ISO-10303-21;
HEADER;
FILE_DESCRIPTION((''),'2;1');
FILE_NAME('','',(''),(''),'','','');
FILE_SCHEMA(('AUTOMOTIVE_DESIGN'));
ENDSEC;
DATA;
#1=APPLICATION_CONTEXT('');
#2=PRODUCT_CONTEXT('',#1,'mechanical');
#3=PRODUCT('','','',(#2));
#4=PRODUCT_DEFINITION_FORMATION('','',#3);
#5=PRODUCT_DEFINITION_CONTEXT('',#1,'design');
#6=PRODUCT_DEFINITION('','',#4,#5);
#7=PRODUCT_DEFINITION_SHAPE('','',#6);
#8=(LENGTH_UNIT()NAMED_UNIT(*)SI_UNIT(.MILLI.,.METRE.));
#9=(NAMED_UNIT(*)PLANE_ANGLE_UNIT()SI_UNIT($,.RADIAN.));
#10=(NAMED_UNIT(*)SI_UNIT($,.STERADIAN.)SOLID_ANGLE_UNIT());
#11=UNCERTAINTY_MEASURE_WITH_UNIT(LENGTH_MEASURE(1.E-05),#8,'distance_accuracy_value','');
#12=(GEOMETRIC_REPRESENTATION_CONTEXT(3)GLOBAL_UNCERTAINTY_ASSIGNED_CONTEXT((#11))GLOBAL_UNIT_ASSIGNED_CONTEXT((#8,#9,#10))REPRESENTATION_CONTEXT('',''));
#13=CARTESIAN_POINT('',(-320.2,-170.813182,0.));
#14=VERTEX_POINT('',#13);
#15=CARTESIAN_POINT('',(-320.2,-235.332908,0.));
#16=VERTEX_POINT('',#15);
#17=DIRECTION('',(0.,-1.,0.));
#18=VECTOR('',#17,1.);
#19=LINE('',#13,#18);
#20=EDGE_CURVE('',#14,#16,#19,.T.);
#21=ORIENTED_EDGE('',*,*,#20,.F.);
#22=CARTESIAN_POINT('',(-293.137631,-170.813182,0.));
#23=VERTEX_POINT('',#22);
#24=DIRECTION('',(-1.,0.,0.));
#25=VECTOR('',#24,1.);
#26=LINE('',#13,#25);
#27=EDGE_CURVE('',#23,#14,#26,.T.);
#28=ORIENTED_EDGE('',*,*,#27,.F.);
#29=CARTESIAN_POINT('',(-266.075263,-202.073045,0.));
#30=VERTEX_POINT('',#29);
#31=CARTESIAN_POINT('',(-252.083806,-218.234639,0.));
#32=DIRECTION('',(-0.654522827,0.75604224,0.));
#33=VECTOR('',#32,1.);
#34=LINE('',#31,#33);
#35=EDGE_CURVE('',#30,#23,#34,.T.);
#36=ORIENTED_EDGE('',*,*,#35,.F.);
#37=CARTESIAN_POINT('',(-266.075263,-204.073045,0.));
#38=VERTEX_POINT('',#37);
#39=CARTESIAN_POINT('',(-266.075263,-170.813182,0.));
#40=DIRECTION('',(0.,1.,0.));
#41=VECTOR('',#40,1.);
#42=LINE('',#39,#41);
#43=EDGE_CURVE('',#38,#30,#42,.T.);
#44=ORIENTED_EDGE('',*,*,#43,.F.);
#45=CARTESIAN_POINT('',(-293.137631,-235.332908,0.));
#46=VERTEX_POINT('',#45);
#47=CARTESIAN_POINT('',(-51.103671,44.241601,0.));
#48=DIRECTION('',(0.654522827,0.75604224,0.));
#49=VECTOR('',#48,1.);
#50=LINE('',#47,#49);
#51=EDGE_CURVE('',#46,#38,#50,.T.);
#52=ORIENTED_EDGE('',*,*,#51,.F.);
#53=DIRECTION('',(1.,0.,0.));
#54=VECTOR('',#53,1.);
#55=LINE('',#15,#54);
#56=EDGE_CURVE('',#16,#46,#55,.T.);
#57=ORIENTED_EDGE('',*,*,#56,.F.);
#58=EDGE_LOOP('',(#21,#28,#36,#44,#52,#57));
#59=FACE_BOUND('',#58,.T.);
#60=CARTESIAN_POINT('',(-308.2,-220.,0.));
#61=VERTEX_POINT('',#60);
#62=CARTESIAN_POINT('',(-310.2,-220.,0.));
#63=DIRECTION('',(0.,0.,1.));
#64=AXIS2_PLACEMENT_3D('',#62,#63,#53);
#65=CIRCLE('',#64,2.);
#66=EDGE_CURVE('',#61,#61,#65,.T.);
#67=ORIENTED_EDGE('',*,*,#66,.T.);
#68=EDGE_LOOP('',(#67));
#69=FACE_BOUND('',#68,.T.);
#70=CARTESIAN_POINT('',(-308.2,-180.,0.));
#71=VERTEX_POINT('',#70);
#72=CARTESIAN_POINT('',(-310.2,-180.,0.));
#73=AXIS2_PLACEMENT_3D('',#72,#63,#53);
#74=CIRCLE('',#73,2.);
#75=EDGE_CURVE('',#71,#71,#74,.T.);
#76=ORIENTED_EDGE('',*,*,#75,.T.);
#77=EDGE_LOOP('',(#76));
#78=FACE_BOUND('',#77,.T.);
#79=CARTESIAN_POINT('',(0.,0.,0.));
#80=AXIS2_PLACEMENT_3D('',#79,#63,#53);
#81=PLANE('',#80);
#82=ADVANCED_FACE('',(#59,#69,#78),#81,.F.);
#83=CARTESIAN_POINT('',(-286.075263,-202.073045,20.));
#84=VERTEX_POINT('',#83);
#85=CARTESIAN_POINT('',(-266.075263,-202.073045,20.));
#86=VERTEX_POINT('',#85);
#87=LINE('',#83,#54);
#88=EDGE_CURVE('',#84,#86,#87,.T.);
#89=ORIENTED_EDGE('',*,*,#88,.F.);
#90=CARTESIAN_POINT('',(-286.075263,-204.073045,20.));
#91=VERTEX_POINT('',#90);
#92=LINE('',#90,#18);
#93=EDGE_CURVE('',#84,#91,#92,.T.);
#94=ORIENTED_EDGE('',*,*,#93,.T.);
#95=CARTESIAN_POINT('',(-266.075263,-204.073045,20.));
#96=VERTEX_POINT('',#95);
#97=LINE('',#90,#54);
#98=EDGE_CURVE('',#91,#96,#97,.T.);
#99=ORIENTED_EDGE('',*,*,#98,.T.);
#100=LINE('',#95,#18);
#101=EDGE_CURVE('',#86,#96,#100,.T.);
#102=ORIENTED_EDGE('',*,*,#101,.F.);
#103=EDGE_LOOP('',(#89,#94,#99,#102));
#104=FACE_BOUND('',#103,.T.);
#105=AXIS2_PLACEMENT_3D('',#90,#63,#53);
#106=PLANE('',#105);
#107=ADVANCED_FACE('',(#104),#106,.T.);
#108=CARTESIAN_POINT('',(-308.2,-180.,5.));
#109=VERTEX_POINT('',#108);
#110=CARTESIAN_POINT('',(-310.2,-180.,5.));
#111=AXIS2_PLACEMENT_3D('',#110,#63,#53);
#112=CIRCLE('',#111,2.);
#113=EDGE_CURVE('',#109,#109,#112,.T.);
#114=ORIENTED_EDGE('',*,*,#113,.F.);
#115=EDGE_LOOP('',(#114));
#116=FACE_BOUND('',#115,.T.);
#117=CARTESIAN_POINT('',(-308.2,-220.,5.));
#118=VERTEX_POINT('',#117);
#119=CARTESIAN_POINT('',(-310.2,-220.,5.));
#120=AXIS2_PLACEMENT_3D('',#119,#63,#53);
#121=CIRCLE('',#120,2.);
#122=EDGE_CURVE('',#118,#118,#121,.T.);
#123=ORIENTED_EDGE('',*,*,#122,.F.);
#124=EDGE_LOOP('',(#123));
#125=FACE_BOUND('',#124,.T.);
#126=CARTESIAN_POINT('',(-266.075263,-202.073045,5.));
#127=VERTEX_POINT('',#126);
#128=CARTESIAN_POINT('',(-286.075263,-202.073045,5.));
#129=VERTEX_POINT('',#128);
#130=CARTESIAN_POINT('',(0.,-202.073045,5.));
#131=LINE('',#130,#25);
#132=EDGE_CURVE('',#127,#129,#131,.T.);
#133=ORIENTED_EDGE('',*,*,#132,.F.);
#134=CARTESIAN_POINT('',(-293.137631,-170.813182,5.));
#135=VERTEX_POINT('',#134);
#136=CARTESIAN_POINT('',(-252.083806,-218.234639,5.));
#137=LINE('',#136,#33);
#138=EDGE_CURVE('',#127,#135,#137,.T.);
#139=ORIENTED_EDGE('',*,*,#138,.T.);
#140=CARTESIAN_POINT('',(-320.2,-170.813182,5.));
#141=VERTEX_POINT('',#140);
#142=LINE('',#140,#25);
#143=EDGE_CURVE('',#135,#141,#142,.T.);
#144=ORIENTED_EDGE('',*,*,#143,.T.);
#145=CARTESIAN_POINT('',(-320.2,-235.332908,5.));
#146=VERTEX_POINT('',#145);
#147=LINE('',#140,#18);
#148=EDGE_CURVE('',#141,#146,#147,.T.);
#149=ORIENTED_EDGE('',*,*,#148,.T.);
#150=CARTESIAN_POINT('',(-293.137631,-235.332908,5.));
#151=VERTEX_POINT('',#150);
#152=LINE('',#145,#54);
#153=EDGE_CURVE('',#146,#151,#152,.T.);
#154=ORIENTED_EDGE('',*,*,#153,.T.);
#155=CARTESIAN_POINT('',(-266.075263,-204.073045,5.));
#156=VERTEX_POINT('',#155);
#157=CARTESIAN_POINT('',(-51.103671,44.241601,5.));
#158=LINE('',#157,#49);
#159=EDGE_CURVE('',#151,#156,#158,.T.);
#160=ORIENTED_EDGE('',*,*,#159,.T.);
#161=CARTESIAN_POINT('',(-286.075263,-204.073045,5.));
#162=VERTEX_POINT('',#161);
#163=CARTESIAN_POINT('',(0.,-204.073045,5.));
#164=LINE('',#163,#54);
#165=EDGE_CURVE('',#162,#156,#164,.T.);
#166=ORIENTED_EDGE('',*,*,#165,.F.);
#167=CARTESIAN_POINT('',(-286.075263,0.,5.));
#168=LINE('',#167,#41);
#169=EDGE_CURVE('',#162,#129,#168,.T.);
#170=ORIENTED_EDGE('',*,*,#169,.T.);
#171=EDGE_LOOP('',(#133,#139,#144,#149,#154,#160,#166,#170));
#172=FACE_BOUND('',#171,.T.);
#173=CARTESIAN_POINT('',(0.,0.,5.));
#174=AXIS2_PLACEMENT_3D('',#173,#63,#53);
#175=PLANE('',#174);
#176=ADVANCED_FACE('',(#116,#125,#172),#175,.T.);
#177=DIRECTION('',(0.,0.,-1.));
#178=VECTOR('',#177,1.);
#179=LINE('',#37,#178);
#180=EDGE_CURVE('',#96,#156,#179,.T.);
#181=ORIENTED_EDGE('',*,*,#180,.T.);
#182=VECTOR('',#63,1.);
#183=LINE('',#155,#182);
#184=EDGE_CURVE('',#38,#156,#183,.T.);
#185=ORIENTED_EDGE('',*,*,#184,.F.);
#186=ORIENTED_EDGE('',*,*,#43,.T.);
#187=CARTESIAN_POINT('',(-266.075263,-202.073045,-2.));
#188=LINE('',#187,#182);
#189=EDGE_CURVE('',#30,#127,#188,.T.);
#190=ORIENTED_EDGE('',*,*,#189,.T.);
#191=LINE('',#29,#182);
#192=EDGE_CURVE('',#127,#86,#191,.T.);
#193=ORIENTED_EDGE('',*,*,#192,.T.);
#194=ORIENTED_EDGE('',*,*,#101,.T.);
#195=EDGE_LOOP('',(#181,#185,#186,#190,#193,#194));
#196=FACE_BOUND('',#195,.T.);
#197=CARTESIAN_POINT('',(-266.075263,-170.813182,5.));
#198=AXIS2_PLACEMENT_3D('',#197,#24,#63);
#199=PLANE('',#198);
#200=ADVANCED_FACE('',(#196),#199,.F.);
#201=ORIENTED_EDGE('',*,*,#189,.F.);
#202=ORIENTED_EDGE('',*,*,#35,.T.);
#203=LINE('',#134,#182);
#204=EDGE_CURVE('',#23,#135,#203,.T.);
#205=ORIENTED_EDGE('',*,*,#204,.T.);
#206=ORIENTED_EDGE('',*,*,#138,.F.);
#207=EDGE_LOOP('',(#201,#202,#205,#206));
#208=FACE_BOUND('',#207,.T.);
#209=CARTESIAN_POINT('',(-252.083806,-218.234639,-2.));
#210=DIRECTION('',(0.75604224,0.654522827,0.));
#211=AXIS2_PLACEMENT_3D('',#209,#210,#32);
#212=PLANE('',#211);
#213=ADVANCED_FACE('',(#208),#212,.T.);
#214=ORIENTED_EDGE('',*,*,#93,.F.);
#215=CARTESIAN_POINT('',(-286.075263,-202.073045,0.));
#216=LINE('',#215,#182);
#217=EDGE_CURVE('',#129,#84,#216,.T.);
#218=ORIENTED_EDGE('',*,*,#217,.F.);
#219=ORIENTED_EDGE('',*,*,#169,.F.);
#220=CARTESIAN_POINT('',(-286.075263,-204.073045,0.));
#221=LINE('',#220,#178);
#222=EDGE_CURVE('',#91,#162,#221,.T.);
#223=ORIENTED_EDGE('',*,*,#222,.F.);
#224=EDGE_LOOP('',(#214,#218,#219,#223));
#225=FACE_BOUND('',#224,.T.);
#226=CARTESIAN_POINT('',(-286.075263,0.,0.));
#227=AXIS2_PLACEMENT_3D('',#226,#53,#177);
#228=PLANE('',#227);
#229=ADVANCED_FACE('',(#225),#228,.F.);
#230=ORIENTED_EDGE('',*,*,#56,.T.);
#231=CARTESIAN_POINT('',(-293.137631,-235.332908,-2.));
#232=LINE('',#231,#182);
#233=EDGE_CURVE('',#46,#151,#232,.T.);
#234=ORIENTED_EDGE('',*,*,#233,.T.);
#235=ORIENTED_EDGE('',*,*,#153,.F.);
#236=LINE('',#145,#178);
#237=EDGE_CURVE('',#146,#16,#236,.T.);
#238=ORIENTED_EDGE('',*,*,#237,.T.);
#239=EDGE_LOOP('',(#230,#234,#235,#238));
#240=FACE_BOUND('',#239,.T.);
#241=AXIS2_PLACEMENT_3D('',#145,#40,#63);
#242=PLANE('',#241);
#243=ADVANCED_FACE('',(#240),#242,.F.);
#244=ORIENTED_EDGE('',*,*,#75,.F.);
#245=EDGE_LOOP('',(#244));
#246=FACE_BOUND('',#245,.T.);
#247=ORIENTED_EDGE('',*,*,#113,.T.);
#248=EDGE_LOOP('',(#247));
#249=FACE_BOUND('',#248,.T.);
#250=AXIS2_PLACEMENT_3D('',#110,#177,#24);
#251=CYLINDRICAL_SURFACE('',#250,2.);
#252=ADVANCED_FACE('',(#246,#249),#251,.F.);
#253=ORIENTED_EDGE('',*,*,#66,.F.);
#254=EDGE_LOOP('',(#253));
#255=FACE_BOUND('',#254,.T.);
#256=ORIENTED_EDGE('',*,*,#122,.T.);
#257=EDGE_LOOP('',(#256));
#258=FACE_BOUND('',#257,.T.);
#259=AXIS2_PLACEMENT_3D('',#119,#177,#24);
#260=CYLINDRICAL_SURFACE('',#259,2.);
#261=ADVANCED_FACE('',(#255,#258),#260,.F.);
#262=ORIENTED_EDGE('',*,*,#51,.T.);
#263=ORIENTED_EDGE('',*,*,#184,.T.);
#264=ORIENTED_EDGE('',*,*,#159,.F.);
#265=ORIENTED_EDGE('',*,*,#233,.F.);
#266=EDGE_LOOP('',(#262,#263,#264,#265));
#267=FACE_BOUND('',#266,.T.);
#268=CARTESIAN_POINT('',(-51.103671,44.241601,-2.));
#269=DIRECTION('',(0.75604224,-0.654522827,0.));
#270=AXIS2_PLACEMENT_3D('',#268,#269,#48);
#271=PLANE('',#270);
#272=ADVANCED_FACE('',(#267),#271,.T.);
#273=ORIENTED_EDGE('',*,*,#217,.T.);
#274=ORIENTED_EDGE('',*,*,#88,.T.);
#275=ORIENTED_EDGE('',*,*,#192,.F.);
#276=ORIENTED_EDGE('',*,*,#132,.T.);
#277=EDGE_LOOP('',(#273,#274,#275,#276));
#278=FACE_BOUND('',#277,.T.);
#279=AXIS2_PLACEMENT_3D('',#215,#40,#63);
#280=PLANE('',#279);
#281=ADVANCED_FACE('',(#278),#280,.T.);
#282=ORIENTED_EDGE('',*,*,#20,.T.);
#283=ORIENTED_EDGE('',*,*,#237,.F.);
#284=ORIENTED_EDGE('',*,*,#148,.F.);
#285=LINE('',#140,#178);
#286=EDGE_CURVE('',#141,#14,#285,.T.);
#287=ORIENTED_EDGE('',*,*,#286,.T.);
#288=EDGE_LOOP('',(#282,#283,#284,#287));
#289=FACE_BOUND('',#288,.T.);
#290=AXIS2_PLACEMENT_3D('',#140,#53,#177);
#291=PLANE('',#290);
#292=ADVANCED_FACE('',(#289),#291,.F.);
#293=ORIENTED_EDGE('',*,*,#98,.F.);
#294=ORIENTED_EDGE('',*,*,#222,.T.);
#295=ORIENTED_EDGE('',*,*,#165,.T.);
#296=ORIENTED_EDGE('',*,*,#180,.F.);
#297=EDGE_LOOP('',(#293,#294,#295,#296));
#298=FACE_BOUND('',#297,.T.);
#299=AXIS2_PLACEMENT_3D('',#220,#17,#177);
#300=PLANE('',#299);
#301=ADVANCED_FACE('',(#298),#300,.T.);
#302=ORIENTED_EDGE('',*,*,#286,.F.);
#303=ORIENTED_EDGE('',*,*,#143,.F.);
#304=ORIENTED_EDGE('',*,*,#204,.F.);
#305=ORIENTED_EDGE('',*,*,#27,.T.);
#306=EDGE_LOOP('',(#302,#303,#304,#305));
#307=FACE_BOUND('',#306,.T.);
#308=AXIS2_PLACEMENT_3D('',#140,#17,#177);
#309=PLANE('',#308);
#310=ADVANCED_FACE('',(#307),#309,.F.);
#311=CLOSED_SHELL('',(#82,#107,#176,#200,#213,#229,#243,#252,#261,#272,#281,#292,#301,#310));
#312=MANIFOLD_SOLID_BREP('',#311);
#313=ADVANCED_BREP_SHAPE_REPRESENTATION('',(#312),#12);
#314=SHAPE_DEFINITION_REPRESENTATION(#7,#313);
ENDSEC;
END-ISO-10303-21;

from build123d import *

# Parameters (mm, degrees)
SKETCH1_W           = 54.124737276
SKETCH1_H           = 64.519725693
SKETCH1_R           = 2
BOSS_EXTRUDE1_DEPTH = 5
SKETCH7_W           = 20
SKETCH7_H           = 2
BOSS_EXTRUDE4_DEPTH = 20
CUT_EXTRUDE4_DEPTH  = 7


with BuildPart() as part:
    # Sketch1 → Boss-Extrude1 (new body)
    with BuildSketch(Plane.XY):
        with Locations((-293.137631362, -203.073045314)):
            Rectangle(SKETCH1_W, SKETCH1_H)
        with Locations((-310.2, -180)):
            Circle(SKETCH1_R, mode=Mode.SUBTRACT)
        with Locations((-310.2, -220)):
            Circle(SKETCH1_R, mode=Mode.SUBTRACT)
    extrude(amount=BOSS_EXTRUDE1_DEPTH)

    # Sketch7 → Boss-Extrude4 (add)
    with BuildSketch(Plane(origin=(-266.075262724, 0, 0), x_dir=(0, 0, -1), z_dir=(1, 0, 0))):
        with Locations((-10, -203.073045313)):
            Rectangle(SKETCH7_W, SKETCH7_H)
    extrude(amount=-BOSS_EXTRUDE4_DEPTH)

    # Sketch8 → Cut-Extrude4 (cut)
    with BuildSketch(Plane.XY.offset(5)):
        Polygon((-266.075262724, -204.073045313), (-293.137631362, -235.33290816), (-266.075262724, -235.33290816), align=None)
        Polygon((-293.137631362, -170.813182467), (-266.075262724, -202.073045313), (-266.075262724, -170.813182467), align=None)
    extrude(amount=-CUT_EXTRUDE4_DEPTH, mode=Mode.SUBTRACT)


solid = part.part
